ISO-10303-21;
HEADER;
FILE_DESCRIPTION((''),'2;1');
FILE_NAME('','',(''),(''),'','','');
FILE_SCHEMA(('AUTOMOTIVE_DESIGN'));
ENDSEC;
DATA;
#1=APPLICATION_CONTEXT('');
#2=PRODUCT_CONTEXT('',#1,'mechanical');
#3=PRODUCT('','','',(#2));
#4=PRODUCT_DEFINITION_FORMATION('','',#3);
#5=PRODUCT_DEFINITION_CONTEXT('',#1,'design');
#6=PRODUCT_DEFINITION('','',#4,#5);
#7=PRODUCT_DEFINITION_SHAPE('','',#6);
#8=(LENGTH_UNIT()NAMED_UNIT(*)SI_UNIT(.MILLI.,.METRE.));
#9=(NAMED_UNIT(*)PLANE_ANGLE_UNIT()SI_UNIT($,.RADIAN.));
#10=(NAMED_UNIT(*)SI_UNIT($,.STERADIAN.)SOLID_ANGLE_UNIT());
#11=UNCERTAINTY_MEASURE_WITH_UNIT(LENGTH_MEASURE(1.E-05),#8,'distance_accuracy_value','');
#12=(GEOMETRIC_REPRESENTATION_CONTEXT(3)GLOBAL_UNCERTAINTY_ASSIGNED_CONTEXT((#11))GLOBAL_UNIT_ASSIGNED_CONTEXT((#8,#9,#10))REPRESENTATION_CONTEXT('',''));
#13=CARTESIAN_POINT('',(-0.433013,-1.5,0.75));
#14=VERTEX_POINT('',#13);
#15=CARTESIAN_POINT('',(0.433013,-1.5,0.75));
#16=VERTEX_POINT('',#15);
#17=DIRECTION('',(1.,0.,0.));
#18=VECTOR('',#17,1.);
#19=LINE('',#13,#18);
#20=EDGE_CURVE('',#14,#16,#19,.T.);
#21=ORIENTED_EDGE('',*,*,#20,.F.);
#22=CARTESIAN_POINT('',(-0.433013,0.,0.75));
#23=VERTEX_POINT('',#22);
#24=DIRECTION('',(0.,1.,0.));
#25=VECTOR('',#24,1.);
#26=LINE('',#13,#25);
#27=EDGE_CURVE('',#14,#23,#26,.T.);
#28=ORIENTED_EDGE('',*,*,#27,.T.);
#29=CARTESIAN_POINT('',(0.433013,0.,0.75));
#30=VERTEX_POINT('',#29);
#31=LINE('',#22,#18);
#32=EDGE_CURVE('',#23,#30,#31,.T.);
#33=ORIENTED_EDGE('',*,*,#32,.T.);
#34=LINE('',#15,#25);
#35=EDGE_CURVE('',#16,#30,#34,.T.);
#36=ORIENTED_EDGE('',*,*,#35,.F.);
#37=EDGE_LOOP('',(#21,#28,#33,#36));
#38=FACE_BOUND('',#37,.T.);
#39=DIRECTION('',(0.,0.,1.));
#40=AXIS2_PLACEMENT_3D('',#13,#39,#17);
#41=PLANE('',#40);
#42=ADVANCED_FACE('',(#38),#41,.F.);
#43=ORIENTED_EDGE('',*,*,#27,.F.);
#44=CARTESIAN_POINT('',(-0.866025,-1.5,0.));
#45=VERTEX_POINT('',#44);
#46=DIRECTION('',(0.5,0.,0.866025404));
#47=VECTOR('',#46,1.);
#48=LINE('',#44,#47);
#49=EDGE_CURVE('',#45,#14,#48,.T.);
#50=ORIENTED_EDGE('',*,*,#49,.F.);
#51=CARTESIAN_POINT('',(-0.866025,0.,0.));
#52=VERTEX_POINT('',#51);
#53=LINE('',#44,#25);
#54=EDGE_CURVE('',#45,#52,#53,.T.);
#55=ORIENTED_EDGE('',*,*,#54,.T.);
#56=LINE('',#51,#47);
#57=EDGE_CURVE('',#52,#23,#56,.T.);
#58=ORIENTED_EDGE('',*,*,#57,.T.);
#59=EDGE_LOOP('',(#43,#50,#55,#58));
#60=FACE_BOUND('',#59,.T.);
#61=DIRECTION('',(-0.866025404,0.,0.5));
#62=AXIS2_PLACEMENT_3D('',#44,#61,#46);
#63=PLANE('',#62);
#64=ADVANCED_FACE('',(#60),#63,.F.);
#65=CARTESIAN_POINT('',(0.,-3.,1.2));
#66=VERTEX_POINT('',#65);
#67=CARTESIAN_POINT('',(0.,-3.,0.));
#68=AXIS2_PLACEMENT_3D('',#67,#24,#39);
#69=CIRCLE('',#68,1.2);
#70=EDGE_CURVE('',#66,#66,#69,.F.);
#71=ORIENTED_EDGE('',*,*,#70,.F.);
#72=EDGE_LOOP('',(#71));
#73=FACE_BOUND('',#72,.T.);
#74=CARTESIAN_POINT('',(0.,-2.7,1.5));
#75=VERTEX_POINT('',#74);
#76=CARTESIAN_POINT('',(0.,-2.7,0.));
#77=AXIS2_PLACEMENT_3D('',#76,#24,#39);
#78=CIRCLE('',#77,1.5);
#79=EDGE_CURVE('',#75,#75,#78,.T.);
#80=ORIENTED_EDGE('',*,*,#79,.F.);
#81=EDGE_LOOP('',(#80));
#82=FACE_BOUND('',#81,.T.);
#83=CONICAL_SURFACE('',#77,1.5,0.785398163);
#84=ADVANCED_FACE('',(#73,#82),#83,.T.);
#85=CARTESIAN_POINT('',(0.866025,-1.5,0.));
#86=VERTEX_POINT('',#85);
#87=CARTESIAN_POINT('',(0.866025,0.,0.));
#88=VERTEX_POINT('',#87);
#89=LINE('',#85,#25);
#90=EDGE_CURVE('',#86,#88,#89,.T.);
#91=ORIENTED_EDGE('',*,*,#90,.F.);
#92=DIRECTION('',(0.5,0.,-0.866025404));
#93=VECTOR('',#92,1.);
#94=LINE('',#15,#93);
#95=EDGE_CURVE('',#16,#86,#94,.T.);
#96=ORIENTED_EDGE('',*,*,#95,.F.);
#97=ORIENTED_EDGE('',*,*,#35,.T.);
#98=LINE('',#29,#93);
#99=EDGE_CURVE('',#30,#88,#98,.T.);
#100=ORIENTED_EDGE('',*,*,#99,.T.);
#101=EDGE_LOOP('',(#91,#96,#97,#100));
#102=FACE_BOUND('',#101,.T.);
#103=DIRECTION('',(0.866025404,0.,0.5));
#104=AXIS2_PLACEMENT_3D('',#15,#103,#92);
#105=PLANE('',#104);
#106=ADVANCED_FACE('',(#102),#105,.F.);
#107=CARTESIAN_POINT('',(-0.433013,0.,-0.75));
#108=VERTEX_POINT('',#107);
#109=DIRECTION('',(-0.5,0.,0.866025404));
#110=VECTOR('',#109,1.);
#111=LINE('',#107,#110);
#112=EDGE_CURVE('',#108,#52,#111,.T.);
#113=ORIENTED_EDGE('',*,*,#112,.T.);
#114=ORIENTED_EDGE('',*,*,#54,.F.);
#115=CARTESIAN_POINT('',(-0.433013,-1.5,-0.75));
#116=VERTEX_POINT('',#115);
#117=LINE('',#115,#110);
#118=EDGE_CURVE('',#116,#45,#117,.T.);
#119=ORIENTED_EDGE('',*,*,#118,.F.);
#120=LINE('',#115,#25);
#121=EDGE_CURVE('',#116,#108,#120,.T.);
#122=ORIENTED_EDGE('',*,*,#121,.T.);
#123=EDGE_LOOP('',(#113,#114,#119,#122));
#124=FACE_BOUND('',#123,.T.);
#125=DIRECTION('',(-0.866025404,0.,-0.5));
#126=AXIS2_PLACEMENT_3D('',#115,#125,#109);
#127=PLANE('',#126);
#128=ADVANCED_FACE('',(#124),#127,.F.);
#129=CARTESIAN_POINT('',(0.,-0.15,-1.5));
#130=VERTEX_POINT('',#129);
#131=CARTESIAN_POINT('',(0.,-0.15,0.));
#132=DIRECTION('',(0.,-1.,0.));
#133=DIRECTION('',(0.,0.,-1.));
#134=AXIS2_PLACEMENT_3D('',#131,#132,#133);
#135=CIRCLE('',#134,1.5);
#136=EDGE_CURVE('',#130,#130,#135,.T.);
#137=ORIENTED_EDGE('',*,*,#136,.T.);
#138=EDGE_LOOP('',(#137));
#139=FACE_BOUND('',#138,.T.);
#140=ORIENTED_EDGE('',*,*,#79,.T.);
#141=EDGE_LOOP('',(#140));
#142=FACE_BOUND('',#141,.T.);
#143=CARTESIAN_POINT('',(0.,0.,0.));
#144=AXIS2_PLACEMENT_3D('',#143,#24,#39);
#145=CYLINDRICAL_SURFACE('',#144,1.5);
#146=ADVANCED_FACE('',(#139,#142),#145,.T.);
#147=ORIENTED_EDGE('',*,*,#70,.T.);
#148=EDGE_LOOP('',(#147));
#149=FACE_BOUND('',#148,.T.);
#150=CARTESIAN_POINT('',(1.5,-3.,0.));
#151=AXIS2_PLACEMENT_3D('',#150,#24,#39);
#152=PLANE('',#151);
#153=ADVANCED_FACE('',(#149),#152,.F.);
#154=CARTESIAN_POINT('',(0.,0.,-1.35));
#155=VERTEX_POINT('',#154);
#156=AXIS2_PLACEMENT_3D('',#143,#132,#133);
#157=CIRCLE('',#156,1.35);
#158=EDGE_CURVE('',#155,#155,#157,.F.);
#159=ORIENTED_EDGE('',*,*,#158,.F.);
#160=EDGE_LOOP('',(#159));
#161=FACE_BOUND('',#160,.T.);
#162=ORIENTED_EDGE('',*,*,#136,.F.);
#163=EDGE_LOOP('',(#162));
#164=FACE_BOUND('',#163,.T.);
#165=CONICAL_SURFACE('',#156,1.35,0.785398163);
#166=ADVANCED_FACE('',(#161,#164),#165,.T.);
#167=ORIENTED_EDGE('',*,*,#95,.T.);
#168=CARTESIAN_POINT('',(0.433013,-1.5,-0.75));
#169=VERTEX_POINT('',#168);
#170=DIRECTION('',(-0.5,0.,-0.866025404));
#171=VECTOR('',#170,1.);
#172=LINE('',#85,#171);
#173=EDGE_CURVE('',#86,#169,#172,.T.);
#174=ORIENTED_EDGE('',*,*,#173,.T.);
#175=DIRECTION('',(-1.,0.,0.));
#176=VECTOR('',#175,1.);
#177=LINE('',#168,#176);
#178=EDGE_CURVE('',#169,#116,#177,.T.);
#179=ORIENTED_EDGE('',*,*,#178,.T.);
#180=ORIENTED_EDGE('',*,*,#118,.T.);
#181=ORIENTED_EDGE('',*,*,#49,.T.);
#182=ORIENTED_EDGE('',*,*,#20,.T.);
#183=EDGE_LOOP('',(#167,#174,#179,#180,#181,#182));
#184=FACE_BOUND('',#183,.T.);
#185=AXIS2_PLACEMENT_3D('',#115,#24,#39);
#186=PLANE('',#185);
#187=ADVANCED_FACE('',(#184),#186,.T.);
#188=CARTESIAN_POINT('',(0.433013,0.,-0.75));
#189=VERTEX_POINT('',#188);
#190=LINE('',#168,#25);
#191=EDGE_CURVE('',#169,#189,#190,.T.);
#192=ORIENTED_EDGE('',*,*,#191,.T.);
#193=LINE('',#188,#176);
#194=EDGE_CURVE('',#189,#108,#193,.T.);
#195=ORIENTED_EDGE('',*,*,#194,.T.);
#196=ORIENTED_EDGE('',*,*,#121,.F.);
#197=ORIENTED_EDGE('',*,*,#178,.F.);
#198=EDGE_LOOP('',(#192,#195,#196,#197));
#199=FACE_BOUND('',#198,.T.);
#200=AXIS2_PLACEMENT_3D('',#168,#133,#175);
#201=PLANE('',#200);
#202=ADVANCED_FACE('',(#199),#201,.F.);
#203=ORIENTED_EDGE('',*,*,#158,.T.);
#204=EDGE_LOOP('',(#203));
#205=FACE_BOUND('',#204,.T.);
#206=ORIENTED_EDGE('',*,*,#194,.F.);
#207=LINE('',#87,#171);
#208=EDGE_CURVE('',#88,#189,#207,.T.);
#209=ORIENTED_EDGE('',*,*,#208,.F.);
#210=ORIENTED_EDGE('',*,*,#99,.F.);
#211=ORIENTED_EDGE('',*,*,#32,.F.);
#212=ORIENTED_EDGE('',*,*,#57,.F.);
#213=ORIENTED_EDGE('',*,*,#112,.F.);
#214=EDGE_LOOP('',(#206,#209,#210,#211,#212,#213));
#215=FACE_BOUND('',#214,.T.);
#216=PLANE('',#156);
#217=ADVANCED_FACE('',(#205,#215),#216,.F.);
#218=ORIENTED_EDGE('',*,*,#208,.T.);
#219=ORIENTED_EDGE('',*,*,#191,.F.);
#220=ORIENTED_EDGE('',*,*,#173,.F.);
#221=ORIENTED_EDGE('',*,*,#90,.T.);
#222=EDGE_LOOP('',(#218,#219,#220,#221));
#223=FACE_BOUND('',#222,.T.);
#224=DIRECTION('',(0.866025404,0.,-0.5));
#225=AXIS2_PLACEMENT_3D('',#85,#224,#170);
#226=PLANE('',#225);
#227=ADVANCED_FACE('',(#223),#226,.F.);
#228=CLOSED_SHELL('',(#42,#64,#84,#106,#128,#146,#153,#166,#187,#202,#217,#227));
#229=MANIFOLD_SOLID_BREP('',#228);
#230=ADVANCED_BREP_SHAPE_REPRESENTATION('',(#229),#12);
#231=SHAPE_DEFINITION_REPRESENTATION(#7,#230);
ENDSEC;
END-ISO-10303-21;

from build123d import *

# Parameters (mm, degrees)
CROQUIS1_W            = 1.5
CROQUIS1_H            = 3
CORTAR_EXTRUIR2_DEPTH = 1.5
CHAFL_N3_SIZE         = 0.3
CHAFL_N4_SIZE         = 0.15


with BuildPart() as part:
    # Croquis1 → Revolución1 (revolve)
    with BuildSketch(Plane.XY):
        with Locations((0.75, -1.5)):
            Rectangle(CROQUIS1_W, CROQUIS1_H)
    revolve(axis=Axis((0, 0, 0), (0, -1, 0)))

    # Croquis3 → Cortar-Extruir2 (cut)
    with BuildSketch(Plane(origin=(0, 0, 0), x_dir=(1, 0, 0), z_dir=(0, 1, 0))):
        Polygon((-0.433012702, 0.75), (-0.866025404, 0), (-0.433012702, -0.75), (0.433012702, -0.75), (0.866025404, 0), (0.433012702, 0.75), align=None)
    extrude(amount=-CORTAR_EXTRUIR2_DEPTH, mode=Mode.SUBTRACT)

    # Chaflán3
    chafl_n3_edges = [part.edges().sort_by_distance(p)[0] for p in [
        (-1.5, -3, 0),
    ]]
    chamfer(chafl_n3_edges, length=CHAFL_N3_SIZE)

    # Chaflán4
    chafl_n4_edges = [part.edges().sort_by_distance(p)[0] for p in [
        (-1.5, 0, 0),
    ]]
    chamfer(chafl_n4_edges, length=CHAFL_N4_SIZE)


solid = part.part
